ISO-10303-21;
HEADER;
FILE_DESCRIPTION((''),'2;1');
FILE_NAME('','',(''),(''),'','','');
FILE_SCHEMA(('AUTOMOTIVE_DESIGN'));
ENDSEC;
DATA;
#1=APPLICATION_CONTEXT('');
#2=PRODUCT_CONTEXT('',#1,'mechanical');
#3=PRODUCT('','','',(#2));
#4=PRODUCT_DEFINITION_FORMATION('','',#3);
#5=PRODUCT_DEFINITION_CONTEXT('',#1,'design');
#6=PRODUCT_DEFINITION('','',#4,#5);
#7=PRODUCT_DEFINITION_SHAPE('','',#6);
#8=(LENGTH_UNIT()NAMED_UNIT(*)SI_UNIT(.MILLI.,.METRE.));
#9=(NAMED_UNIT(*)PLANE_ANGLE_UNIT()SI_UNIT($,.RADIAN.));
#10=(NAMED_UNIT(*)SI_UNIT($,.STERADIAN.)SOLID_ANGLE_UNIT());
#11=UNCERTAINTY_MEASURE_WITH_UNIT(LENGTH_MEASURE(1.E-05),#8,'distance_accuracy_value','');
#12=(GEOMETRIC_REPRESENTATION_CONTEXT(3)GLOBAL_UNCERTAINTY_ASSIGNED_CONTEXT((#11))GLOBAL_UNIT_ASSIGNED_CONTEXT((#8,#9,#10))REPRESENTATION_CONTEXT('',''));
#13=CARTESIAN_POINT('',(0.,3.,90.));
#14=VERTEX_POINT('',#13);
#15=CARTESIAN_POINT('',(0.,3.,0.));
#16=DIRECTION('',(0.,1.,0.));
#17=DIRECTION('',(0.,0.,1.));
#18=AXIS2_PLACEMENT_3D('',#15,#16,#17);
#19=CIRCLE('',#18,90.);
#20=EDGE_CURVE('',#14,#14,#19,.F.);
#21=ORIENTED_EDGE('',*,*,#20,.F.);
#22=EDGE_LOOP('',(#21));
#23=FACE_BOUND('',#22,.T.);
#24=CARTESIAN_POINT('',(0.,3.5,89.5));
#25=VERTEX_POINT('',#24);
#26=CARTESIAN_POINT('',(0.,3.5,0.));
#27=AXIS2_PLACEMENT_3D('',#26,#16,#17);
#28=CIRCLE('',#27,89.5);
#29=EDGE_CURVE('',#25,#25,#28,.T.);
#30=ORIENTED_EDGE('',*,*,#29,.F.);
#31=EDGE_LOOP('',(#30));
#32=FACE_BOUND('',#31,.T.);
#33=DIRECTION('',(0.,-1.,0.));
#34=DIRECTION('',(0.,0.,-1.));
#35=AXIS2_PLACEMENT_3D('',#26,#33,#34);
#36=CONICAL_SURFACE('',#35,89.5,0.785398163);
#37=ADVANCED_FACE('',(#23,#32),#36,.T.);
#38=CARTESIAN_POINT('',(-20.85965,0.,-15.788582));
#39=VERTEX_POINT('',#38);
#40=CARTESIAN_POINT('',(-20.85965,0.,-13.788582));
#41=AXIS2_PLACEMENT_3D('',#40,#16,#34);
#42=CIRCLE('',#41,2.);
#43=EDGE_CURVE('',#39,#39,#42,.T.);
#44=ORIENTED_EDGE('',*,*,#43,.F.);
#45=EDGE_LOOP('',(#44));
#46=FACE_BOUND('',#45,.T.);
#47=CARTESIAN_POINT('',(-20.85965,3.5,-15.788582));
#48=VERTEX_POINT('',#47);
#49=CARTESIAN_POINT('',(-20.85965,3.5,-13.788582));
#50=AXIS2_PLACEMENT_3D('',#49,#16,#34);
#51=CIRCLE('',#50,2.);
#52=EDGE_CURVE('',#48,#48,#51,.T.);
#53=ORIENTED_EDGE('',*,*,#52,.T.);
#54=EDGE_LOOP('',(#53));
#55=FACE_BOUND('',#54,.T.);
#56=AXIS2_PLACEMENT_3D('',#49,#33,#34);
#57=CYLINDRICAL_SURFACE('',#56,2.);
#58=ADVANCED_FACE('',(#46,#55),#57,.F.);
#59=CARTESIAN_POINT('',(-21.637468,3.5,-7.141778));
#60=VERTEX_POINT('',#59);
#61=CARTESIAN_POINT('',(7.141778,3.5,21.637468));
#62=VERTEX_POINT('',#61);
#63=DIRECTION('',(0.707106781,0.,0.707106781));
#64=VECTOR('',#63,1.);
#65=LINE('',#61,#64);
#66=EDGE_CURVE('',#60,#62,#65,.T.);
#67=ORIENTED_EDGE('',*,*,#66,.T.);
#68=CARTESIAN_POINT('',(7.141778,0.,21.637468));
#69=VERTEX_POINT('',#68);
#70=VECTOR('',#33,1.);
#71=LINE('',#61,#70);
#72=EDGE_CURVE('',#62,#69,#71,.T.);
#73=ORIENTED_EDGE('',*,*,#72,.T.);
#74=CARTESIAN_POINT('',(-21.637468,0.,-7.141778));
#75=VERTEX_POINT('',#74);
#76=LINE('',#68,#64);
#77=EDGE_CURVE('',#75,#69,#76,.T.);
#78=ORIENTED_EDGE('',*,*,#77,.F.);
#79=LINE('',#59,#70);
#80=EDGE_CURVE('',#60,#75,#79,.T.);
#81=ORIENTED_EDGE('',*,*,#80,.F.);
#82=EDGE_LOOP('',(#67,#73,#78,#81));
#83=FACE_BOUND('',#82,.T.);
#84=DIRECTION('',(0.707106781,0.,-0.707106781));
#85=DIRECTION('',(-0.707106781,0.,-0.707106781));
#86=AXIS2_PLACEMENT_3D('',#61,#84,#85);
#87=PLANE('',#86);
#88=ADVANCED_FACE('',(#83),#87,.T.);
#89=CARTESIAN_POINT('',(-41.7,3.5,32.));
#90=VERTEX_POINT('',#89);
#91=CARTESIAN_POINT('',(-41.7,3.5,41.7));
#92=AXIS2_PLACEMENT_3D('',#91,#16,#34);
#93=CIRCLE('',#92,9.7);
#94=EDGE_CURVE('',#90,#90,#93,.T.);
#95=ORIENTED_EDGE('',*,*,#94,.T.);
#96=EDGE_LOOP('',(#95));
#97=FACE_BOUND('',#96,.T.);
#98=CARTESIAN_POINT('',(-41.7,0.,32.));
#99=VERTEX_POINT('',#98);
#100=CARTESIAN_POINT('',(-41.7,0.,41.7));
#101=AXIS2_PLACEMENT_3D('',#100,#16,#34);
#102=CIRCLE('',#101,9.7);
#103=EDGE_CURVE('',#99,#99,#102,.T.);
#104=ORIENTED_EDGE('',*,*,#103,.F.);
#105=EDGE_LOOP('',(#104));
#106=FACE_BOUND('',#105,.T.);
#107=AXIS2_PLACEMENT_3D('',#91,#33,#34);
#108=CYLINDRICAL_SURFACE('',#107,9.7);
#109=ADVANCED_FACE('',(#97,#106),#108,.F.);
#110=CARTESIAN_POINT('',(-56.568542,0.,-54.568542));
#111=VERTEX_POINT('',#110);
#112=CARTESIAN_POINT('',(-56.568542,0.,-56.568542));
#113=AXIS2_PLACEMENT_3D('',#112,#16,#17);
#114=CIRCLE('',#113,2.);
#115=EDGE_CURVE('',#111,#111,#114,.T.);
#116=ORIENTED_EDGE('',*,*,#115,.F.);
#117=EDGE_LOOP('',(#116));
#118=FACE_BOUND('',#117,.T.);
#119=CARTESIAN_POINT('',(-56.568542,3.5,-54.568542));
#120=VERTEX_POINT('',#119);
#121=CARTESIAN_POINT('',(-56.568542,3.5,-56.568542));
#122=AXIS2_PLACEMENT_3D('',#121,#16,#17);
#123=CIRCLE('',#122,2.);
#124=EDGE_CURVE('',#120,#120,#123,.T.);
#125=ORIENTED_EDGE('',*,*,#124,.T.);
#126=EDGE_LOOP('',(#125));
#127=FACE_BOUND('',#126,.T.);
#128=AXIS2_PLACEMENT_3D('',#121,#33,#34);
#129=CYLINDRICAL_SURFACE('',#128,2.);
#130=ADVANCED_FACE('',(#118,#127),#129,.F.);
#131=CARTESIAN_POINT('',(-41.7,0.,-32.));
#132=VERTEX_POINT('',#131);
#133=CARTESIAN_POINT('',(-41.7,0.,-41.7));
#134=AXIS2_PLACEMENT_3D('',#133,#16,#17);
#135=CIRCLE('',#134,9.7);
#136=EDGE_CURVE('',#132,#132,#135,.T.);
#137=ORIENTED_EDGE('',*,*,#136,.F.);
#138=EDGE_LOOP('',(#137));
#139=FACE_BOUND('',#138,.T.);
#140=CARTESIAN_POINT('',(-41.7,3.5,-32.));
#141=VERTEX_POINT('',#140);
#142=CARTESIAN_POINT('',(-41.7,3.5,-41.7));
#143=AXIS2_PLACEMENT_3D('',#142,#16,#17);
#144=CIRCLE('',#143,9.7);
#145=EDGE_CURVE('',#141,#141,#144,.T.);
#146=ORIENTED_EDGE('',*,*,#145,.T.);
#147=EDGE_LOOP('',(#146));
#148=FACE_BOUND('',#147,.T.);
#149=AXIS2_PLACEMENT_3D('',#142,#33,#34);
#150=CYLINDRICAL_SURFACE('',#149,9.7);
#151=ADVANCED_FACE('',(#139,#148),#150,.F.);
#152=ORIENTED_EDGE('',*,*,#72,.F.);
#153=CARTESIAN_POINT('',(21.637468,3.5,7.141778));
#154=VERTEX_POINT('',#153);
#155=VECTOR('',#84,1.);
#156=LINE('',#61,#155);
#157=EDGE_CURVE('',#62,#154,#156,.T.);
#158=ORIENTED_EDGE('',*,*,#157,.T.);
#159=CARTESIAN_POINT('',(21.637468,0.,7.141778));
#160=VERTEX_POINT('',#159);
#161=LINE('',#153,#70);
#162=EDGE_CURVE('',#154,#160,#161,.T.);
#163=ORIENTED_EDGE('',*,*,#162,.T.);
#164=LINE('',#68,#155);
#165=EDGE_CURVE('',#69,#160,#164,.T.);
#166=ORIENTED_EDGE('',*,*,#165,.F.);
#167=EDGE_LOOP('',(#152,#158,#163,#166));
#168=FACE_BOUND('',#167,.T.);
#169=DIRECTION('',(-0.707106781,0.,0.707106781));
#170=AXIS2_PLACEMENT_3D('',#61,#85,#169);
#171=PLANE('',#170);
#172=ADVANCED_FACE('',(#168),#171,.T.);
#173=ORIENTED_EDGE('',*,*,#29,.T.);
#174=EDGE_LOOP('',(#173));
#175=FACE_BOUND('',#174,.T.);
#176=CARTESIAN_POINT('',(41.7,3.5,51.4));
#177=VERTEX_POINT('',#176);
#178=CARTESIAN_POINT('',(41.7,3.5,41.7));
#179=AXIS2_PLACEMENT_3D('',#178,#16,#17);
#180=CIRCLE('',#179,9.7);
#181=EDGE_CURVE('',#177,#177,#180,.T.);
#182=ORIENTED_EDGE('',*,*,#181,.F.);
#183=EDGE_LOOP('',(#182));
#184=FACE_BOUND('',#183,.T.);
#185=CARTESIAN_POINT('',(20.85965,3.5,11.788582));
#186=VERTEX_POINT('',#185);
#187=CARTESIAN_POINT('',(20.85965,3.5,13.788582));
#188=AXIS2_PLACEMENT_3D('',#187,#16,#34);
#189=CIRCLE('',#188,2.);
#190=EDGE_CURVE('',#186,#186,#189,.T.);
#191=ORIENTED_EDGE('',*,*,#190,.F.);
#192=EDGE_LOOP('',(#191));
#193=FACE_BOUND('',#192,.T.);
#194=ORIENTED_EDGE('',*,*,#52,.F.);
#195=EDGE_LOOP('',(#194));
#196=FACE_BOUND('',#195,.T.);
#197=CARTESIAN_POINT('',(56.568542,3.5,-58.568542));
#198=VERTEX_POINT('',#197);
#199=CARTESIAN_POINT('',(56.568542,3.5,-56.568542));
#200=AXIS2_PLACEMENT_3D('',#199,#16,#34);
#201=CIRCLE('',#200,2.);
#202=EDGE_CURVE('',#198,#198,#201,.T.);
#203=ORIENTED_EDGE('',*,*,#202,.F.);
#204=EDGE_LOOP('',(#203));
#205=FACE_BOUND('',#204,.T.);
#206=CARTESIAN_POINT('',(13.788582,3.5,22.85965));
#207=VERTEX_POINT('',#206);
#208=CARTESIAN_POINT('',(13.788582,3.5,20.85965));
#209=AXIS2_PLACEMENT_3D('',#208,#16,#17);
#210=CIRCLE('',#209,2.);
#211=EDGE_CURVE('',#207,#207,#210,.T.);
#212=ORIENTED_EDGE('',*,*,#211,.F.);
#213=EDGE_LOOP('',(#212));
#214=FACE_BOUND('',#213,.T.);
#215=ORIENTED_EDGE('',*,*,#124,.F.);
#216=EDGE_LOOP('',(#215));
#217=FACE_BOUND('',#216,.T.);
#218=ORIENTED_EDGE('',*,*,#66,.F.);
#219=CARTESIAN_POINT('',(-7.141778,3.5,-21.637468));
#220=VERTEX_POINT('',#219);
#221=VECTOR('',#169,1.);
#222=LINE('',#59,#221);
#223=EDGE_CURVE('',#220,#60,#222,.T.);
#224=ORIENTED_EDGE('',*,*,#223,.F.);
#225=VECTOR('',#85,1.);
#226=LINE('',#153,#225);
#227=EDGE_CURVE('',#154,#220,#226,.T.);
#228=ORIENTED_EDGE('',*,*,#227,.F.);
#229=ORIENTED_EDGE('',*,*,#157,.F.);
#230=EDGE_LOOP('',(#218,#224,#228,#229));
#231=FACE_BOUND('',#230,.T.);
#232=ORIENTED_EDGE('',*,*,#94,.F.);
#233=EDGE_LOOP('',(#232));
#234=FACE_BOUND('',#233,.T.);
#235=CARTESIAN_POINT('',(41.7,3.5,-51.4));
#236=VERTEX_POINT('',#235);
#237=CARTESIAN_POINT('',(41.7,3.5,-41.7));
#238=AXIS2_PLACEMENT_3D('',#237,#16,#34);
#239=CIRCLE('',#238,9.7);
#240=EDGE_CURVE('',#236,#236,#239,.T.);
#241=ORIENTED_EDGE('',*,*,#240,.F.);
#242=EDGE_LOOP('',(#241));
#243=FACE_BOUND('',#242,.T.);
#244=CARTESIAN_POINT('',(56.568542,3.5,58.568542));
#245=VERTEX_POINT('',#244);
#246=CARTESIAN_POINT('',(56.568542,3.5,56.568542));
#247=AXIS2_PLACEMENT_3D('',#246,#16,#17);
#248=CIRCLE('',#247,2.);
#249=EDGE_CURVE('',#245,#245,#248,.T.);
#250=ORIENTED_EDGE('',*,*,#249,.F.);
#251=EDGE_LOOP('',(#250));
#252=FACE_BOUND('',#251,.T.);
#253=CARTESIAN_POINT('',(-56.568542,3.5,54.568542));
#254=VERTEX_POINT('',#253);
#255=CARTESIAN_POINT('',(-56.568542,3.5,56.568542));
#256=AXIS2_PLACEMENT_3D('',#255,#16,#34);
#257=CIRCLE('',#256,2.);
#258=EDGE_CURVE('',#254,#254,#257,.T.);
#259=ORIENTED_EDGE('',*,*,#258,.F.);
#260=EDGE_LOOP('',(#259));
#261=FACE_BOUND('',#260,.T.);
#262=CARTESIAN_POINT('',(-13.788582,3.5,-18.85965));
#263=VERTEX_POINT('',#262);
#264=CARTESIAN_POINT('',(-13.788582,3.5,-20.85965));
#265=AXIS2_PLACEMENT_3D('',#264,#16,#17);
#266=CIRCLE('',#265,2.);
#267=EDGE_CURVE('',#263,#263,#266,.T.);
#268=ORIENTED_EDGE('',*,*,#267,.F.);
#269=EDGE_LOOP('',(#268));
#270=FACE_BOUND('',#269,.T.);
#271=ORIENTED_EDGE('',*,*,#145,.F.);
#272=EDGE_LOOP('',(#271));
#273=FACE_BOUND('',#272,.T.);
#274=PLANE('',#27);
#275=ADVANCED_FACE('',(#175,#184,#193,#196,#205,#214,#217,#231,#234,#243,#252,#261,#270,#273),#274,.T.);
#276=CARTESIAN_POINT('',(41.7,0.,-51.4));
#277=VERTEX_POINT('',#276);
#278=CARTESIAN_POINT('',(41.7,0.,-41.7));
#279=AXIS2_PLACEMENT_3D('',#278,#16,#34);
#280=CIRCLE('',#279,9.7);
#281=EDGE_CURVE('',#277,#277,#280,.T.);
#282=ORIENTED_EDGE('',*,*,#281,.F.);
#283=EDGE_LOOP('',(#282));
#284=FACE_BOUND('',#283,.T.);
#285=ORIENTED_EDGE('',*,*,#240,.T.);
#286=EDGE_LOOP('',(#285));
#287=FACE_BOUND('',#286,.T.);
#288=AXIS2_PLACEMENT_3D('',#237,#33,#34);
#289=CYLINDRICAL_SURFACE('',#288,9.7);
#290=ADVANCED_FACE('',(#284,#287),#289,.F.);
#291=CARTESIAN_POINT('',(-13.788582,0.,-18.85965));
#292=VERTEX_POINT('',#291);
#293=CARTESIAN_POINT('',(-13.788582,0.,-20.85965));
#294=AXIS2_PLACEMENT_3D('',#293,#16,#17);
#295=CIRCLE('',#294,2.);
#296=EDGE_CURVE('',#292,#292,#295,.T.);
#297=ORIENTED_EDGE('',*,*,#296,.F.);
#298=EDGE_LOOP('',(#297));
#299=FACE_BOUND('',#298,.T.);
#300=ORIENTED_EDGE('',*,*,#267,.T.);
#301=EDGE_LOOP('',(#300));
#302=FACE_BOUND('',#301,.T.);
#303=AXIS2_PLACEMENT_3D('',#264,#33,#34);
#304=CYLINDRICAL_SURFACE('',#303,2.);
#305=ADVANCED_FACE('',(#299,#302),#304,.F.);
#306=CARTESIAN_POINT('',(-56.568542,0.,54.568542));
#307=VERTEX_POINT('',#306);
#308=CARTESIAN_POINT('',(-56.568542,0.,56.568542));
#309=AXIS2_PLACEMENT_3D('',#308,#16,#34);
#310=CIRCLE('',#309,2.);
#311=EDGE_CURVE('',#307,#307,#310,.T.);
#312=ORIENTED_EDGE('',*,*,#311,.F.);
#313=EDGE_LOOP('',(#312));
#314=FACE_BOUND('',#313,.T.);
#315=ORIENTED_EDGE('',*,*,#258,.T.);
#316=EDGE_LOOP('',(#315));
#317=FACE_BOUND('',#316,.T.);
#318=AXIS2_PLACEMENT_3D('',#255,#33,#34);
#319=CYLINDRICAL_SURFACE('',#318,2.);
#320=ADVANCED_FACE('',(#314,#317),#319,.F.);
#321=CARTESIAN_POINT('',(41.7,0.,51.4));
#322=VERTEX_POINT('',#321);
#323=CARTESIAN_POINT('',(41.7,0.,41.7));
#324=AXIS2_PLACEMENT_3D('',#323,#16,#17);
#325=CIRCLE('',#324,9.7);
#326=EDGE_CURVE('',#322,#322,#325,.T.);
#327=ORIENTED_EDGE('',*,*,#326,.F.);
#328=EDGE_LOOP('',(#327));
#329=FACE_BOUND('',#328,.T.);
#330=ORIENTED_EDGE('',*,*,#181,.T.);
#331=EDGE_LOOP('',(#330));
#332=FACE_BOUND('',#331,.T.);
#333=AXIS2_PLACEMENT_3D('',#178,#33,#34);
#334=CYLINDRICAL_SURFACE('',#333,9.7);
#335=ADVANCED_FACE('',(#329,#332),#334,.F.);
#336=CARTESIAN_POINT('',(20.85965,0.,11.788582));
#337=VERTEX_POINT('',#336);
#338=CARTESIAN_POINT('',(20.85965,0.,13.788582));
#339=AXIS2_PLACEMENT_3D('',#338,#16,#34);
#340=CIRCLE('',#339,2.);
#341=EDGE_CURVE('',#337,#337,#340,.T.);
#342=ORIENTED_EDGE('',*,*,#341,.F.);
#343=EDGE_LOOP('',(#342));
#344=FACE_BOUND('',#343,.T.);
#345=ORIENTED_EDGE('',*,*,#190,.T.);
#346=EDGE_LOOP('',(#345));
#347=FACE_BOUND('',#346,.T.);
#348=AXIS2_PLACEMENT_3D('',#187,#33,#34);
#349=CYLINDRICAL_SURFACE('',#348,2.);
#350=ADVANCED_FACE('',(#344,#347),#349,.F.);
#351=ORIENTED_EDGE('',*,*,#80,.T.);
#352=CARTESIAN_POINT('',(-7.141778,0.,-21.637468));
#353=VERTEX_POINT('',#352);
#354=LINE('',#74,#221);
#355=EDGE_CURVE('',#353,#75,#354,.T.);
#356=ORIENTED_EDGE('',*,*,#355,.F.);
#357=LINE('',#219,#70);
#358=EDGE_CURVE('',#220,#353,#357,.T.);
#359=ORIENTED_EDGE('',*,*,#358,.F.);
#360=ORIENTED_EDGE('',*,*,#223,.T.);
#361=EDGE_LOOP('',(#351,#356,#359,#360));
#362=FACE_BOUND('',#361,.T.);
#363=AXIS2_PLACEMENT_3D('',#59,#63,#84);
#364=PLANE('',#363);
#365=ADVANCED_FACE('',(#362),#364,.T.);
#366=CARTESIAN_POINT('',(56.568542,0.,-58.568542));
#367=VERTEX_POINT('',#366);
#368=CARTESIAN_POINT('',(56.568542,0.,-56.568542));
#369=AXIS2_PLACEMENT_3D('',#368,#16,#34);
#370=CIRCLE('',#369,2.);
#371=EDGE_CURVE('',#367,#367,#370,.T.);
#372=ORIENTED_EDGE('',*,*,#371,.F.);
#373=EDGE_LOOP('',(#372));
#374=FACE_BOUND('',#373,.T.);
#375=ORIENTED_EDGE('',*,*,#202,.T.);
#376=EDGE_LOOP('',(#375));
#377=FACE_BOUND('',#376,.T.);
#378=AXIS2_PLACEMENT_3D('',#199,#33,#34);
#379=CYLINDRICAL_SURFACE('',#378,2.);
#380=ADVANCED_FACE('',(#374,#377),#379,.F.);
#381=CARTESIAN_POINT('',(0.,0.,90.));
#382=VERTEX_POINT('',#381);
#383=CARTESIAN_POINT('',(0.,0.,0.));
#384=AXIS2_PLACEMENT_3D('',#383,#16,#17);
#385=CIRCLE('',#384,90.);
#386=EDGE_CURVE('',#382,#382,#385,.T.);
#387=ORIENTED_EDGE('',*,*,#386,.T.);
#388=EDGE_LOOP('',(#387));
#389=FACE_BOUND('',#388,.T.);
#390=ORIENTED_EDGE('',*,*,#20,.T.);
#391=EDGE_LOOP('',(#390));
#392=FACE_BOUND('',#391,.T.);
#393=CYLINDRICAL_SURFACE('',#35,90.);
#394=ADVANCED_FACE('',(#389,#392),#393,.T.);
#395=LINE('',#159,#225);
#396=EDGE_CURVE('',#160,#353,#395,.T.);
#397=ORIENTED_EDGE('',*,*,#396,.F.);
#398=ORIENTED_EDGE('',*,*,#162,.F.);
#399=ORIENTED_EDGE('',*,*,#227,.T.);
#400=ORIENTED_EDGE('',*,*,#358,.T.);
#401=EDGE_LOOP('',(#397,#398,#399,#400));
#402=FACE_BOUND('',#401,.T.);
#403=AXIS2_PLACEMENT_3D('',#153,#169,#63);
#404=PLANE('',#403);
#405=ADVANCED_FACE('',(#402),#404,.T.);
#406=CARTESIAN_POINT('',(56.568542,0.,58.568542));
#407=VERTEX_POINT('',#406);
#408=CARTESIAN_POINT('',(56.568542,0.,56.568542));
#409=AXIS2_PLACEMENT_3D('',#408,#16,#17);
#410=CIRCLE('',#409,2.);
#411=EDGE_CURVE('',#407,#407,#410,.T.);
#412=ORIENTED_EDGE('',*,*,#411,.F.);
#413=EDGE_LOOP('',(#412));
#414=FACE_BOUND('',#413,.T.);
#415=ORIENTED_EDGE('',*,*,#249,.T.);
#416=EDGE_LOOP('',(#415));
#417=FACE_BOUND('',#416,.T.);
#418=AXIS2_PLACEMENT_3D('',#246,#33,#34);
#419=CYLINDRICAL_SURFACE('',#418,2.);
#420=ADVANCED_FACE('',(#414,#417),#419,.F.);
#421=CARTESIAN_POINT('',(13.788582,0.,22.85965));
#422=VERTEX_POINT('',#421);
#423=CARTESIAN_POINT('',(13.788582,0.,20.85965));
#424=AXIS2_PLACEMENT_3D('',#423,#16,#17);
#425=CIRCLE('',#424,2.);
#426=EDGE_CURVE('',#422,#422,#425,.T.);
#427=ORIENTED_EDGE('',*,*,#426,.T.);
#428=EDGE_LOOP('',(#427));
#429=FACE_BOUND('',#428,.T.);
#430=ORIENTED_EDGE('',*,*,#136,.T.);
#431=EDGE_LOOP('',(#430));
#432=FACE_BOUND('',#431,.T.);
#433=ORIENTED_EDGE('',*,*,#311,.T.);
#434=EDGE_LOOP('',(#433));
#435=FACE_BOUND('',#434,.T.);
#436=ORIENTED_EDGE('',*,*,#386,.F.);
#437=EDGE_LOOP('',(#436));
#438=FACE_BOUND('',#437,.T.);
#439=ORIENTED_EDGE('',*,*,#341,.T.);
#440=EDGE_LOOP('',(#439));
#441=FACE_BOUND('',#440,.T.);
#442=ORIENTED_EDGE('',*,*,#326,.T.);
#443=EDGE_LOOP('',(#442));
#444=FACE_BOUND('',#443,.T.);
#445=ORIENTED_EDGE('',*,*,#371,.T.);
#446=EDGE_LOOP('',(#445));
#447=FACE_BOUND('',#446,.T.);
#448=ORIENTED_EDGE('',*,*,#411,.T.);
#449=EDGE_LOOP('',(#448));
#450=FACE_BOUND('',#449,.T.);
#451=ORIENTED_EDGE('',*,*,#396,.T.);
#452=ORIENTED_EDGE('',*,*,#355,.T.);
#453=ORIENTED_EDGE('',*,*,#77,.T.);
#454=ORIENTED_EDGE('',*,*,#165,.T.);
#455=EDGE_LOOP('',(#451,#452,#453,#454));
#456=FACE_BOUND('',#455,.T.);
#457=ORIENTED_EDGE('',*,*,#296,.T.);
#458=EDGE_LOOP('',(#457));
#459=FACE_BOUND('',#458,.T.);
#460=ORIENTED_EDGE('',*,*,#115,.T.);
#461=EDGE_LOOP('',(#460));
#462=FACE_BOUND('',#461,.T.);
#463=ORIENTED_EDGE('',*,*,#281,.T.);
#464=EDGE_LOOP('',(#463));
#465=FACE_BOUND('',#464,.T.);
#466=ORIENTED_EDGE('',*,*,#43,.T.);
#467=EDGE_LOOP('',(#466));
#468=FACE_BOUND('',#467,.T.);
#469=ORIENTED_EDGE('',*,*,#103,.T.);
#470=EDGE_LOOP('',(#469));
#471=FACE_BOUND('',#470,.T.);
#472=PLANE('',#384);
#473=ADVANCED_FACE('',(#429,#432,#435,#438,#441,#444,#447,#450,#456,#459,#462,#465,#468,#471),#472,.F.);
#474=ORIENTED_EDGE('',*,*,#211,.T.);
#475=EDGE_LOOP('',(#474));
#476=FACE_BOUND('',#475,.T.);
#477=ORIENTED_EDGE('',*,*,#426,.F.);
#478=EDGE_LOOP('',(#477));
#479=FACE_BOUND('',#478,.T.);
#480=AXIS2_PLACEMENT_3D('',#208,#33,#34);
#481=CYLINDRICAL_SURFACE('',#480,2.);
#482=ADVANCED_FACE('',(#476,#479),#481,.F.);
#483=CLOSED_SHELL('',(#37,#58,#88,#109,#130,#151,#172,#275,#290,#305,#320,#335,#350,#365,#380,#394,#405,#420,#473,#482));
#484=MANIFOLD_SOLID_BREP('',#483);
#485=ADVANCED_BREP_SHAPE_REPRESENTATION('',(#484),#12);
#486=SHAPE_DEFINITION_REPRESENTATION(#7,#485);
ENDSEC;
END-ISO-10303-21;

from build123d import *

# Parameters (mm, degrees)
SKETCH1_R           = 90
SKETCH1_R_2         = 9.7
SKETCH1_R_3         = 2
BOSS_EXTRUDE1_DEPTH = 3.5
CHAMFER1_SIZE       = 0.5


with BuildPart() as part:
    # Sketch1 → Boss-Extrude1 (new body)
    with BuildSketch(Plane(origin=(0, 0, 0), x_dir=(1, 0, 0), z_dir=(0, 1, 0))):
        Circle(SKETCH1_R)
        with Locations((-41.7, 41.7)):
            Circle(SKETCH1_R_2, mode=Mode.SUBTRACT)
        with Locations((41.7, 41.7)):
            Circle(SKETCH1_R_2, mode=Mode.SUBTRACT)
        with Locations((41.7, -41.7)):
            Circle(SKETCH1_R_2, mode=Mode.SUBTRACT)
        with Locations((-41.7, -41.7)):
            Circle(SKETCH1_R_2, mode=Mode.SUBTRACT)
        with Locations((-56.568542495, 56.568542495)):
            Circle(SKETCH1_R_3, mode=Mode.SUBTRACT)
        with Locations((-56.568542495, -56.568542495)):
            Circle(SKETCH1_R_3, mode=Mode.SUBTRACT)
        with Locations((56.568542495, 56.568542495)):
            Circle(SKETCH1_R_3, mode=Mode.SUBTRACT)
        with Locations((56.568542495, -56.568542495)):
            Circle(SKETCH1_R_3, mode=Mode.SUBTRACT)
        with Locations((-13.788582233, 20.859650045)):
            Circle(SKETCH1_R_3, mode=Mode.SUBTRACT)
        with Locations((20.859650045, -13.788582233)):
            Circle(SKETCH1_R_3, mode=Mode.SUBTRACT)
        with Locations((13.788582233, -20.859650045)):
            Circle(SKETCH1_R_3, mode=Mode.SUBTRACT)
        with Locations((-20.859650045, 13.788582233)):
            Circle(SKETCH1_R_3, mode=Mode.SUBTRACT)
        Polygon((7.14177849, -21.637467504), (-21.637467504, 7.14177849), (-7.14177849, 21.637467504), (21.637467504, -7.14177849), align=None, mode=Mode.SUBTRACT)
    extrude(amount=BOSS_EXTRUDE1_DEPTH)

    # Chamfer1
    chamfer1_edges = [part.edges().sort_by_distance(p)[0] for p in [
        (-90, 3.5, 0),
    ]]
    chamfer(chamfer1_edges, length=CHAMFER1_SIZE)


solid = part.part
